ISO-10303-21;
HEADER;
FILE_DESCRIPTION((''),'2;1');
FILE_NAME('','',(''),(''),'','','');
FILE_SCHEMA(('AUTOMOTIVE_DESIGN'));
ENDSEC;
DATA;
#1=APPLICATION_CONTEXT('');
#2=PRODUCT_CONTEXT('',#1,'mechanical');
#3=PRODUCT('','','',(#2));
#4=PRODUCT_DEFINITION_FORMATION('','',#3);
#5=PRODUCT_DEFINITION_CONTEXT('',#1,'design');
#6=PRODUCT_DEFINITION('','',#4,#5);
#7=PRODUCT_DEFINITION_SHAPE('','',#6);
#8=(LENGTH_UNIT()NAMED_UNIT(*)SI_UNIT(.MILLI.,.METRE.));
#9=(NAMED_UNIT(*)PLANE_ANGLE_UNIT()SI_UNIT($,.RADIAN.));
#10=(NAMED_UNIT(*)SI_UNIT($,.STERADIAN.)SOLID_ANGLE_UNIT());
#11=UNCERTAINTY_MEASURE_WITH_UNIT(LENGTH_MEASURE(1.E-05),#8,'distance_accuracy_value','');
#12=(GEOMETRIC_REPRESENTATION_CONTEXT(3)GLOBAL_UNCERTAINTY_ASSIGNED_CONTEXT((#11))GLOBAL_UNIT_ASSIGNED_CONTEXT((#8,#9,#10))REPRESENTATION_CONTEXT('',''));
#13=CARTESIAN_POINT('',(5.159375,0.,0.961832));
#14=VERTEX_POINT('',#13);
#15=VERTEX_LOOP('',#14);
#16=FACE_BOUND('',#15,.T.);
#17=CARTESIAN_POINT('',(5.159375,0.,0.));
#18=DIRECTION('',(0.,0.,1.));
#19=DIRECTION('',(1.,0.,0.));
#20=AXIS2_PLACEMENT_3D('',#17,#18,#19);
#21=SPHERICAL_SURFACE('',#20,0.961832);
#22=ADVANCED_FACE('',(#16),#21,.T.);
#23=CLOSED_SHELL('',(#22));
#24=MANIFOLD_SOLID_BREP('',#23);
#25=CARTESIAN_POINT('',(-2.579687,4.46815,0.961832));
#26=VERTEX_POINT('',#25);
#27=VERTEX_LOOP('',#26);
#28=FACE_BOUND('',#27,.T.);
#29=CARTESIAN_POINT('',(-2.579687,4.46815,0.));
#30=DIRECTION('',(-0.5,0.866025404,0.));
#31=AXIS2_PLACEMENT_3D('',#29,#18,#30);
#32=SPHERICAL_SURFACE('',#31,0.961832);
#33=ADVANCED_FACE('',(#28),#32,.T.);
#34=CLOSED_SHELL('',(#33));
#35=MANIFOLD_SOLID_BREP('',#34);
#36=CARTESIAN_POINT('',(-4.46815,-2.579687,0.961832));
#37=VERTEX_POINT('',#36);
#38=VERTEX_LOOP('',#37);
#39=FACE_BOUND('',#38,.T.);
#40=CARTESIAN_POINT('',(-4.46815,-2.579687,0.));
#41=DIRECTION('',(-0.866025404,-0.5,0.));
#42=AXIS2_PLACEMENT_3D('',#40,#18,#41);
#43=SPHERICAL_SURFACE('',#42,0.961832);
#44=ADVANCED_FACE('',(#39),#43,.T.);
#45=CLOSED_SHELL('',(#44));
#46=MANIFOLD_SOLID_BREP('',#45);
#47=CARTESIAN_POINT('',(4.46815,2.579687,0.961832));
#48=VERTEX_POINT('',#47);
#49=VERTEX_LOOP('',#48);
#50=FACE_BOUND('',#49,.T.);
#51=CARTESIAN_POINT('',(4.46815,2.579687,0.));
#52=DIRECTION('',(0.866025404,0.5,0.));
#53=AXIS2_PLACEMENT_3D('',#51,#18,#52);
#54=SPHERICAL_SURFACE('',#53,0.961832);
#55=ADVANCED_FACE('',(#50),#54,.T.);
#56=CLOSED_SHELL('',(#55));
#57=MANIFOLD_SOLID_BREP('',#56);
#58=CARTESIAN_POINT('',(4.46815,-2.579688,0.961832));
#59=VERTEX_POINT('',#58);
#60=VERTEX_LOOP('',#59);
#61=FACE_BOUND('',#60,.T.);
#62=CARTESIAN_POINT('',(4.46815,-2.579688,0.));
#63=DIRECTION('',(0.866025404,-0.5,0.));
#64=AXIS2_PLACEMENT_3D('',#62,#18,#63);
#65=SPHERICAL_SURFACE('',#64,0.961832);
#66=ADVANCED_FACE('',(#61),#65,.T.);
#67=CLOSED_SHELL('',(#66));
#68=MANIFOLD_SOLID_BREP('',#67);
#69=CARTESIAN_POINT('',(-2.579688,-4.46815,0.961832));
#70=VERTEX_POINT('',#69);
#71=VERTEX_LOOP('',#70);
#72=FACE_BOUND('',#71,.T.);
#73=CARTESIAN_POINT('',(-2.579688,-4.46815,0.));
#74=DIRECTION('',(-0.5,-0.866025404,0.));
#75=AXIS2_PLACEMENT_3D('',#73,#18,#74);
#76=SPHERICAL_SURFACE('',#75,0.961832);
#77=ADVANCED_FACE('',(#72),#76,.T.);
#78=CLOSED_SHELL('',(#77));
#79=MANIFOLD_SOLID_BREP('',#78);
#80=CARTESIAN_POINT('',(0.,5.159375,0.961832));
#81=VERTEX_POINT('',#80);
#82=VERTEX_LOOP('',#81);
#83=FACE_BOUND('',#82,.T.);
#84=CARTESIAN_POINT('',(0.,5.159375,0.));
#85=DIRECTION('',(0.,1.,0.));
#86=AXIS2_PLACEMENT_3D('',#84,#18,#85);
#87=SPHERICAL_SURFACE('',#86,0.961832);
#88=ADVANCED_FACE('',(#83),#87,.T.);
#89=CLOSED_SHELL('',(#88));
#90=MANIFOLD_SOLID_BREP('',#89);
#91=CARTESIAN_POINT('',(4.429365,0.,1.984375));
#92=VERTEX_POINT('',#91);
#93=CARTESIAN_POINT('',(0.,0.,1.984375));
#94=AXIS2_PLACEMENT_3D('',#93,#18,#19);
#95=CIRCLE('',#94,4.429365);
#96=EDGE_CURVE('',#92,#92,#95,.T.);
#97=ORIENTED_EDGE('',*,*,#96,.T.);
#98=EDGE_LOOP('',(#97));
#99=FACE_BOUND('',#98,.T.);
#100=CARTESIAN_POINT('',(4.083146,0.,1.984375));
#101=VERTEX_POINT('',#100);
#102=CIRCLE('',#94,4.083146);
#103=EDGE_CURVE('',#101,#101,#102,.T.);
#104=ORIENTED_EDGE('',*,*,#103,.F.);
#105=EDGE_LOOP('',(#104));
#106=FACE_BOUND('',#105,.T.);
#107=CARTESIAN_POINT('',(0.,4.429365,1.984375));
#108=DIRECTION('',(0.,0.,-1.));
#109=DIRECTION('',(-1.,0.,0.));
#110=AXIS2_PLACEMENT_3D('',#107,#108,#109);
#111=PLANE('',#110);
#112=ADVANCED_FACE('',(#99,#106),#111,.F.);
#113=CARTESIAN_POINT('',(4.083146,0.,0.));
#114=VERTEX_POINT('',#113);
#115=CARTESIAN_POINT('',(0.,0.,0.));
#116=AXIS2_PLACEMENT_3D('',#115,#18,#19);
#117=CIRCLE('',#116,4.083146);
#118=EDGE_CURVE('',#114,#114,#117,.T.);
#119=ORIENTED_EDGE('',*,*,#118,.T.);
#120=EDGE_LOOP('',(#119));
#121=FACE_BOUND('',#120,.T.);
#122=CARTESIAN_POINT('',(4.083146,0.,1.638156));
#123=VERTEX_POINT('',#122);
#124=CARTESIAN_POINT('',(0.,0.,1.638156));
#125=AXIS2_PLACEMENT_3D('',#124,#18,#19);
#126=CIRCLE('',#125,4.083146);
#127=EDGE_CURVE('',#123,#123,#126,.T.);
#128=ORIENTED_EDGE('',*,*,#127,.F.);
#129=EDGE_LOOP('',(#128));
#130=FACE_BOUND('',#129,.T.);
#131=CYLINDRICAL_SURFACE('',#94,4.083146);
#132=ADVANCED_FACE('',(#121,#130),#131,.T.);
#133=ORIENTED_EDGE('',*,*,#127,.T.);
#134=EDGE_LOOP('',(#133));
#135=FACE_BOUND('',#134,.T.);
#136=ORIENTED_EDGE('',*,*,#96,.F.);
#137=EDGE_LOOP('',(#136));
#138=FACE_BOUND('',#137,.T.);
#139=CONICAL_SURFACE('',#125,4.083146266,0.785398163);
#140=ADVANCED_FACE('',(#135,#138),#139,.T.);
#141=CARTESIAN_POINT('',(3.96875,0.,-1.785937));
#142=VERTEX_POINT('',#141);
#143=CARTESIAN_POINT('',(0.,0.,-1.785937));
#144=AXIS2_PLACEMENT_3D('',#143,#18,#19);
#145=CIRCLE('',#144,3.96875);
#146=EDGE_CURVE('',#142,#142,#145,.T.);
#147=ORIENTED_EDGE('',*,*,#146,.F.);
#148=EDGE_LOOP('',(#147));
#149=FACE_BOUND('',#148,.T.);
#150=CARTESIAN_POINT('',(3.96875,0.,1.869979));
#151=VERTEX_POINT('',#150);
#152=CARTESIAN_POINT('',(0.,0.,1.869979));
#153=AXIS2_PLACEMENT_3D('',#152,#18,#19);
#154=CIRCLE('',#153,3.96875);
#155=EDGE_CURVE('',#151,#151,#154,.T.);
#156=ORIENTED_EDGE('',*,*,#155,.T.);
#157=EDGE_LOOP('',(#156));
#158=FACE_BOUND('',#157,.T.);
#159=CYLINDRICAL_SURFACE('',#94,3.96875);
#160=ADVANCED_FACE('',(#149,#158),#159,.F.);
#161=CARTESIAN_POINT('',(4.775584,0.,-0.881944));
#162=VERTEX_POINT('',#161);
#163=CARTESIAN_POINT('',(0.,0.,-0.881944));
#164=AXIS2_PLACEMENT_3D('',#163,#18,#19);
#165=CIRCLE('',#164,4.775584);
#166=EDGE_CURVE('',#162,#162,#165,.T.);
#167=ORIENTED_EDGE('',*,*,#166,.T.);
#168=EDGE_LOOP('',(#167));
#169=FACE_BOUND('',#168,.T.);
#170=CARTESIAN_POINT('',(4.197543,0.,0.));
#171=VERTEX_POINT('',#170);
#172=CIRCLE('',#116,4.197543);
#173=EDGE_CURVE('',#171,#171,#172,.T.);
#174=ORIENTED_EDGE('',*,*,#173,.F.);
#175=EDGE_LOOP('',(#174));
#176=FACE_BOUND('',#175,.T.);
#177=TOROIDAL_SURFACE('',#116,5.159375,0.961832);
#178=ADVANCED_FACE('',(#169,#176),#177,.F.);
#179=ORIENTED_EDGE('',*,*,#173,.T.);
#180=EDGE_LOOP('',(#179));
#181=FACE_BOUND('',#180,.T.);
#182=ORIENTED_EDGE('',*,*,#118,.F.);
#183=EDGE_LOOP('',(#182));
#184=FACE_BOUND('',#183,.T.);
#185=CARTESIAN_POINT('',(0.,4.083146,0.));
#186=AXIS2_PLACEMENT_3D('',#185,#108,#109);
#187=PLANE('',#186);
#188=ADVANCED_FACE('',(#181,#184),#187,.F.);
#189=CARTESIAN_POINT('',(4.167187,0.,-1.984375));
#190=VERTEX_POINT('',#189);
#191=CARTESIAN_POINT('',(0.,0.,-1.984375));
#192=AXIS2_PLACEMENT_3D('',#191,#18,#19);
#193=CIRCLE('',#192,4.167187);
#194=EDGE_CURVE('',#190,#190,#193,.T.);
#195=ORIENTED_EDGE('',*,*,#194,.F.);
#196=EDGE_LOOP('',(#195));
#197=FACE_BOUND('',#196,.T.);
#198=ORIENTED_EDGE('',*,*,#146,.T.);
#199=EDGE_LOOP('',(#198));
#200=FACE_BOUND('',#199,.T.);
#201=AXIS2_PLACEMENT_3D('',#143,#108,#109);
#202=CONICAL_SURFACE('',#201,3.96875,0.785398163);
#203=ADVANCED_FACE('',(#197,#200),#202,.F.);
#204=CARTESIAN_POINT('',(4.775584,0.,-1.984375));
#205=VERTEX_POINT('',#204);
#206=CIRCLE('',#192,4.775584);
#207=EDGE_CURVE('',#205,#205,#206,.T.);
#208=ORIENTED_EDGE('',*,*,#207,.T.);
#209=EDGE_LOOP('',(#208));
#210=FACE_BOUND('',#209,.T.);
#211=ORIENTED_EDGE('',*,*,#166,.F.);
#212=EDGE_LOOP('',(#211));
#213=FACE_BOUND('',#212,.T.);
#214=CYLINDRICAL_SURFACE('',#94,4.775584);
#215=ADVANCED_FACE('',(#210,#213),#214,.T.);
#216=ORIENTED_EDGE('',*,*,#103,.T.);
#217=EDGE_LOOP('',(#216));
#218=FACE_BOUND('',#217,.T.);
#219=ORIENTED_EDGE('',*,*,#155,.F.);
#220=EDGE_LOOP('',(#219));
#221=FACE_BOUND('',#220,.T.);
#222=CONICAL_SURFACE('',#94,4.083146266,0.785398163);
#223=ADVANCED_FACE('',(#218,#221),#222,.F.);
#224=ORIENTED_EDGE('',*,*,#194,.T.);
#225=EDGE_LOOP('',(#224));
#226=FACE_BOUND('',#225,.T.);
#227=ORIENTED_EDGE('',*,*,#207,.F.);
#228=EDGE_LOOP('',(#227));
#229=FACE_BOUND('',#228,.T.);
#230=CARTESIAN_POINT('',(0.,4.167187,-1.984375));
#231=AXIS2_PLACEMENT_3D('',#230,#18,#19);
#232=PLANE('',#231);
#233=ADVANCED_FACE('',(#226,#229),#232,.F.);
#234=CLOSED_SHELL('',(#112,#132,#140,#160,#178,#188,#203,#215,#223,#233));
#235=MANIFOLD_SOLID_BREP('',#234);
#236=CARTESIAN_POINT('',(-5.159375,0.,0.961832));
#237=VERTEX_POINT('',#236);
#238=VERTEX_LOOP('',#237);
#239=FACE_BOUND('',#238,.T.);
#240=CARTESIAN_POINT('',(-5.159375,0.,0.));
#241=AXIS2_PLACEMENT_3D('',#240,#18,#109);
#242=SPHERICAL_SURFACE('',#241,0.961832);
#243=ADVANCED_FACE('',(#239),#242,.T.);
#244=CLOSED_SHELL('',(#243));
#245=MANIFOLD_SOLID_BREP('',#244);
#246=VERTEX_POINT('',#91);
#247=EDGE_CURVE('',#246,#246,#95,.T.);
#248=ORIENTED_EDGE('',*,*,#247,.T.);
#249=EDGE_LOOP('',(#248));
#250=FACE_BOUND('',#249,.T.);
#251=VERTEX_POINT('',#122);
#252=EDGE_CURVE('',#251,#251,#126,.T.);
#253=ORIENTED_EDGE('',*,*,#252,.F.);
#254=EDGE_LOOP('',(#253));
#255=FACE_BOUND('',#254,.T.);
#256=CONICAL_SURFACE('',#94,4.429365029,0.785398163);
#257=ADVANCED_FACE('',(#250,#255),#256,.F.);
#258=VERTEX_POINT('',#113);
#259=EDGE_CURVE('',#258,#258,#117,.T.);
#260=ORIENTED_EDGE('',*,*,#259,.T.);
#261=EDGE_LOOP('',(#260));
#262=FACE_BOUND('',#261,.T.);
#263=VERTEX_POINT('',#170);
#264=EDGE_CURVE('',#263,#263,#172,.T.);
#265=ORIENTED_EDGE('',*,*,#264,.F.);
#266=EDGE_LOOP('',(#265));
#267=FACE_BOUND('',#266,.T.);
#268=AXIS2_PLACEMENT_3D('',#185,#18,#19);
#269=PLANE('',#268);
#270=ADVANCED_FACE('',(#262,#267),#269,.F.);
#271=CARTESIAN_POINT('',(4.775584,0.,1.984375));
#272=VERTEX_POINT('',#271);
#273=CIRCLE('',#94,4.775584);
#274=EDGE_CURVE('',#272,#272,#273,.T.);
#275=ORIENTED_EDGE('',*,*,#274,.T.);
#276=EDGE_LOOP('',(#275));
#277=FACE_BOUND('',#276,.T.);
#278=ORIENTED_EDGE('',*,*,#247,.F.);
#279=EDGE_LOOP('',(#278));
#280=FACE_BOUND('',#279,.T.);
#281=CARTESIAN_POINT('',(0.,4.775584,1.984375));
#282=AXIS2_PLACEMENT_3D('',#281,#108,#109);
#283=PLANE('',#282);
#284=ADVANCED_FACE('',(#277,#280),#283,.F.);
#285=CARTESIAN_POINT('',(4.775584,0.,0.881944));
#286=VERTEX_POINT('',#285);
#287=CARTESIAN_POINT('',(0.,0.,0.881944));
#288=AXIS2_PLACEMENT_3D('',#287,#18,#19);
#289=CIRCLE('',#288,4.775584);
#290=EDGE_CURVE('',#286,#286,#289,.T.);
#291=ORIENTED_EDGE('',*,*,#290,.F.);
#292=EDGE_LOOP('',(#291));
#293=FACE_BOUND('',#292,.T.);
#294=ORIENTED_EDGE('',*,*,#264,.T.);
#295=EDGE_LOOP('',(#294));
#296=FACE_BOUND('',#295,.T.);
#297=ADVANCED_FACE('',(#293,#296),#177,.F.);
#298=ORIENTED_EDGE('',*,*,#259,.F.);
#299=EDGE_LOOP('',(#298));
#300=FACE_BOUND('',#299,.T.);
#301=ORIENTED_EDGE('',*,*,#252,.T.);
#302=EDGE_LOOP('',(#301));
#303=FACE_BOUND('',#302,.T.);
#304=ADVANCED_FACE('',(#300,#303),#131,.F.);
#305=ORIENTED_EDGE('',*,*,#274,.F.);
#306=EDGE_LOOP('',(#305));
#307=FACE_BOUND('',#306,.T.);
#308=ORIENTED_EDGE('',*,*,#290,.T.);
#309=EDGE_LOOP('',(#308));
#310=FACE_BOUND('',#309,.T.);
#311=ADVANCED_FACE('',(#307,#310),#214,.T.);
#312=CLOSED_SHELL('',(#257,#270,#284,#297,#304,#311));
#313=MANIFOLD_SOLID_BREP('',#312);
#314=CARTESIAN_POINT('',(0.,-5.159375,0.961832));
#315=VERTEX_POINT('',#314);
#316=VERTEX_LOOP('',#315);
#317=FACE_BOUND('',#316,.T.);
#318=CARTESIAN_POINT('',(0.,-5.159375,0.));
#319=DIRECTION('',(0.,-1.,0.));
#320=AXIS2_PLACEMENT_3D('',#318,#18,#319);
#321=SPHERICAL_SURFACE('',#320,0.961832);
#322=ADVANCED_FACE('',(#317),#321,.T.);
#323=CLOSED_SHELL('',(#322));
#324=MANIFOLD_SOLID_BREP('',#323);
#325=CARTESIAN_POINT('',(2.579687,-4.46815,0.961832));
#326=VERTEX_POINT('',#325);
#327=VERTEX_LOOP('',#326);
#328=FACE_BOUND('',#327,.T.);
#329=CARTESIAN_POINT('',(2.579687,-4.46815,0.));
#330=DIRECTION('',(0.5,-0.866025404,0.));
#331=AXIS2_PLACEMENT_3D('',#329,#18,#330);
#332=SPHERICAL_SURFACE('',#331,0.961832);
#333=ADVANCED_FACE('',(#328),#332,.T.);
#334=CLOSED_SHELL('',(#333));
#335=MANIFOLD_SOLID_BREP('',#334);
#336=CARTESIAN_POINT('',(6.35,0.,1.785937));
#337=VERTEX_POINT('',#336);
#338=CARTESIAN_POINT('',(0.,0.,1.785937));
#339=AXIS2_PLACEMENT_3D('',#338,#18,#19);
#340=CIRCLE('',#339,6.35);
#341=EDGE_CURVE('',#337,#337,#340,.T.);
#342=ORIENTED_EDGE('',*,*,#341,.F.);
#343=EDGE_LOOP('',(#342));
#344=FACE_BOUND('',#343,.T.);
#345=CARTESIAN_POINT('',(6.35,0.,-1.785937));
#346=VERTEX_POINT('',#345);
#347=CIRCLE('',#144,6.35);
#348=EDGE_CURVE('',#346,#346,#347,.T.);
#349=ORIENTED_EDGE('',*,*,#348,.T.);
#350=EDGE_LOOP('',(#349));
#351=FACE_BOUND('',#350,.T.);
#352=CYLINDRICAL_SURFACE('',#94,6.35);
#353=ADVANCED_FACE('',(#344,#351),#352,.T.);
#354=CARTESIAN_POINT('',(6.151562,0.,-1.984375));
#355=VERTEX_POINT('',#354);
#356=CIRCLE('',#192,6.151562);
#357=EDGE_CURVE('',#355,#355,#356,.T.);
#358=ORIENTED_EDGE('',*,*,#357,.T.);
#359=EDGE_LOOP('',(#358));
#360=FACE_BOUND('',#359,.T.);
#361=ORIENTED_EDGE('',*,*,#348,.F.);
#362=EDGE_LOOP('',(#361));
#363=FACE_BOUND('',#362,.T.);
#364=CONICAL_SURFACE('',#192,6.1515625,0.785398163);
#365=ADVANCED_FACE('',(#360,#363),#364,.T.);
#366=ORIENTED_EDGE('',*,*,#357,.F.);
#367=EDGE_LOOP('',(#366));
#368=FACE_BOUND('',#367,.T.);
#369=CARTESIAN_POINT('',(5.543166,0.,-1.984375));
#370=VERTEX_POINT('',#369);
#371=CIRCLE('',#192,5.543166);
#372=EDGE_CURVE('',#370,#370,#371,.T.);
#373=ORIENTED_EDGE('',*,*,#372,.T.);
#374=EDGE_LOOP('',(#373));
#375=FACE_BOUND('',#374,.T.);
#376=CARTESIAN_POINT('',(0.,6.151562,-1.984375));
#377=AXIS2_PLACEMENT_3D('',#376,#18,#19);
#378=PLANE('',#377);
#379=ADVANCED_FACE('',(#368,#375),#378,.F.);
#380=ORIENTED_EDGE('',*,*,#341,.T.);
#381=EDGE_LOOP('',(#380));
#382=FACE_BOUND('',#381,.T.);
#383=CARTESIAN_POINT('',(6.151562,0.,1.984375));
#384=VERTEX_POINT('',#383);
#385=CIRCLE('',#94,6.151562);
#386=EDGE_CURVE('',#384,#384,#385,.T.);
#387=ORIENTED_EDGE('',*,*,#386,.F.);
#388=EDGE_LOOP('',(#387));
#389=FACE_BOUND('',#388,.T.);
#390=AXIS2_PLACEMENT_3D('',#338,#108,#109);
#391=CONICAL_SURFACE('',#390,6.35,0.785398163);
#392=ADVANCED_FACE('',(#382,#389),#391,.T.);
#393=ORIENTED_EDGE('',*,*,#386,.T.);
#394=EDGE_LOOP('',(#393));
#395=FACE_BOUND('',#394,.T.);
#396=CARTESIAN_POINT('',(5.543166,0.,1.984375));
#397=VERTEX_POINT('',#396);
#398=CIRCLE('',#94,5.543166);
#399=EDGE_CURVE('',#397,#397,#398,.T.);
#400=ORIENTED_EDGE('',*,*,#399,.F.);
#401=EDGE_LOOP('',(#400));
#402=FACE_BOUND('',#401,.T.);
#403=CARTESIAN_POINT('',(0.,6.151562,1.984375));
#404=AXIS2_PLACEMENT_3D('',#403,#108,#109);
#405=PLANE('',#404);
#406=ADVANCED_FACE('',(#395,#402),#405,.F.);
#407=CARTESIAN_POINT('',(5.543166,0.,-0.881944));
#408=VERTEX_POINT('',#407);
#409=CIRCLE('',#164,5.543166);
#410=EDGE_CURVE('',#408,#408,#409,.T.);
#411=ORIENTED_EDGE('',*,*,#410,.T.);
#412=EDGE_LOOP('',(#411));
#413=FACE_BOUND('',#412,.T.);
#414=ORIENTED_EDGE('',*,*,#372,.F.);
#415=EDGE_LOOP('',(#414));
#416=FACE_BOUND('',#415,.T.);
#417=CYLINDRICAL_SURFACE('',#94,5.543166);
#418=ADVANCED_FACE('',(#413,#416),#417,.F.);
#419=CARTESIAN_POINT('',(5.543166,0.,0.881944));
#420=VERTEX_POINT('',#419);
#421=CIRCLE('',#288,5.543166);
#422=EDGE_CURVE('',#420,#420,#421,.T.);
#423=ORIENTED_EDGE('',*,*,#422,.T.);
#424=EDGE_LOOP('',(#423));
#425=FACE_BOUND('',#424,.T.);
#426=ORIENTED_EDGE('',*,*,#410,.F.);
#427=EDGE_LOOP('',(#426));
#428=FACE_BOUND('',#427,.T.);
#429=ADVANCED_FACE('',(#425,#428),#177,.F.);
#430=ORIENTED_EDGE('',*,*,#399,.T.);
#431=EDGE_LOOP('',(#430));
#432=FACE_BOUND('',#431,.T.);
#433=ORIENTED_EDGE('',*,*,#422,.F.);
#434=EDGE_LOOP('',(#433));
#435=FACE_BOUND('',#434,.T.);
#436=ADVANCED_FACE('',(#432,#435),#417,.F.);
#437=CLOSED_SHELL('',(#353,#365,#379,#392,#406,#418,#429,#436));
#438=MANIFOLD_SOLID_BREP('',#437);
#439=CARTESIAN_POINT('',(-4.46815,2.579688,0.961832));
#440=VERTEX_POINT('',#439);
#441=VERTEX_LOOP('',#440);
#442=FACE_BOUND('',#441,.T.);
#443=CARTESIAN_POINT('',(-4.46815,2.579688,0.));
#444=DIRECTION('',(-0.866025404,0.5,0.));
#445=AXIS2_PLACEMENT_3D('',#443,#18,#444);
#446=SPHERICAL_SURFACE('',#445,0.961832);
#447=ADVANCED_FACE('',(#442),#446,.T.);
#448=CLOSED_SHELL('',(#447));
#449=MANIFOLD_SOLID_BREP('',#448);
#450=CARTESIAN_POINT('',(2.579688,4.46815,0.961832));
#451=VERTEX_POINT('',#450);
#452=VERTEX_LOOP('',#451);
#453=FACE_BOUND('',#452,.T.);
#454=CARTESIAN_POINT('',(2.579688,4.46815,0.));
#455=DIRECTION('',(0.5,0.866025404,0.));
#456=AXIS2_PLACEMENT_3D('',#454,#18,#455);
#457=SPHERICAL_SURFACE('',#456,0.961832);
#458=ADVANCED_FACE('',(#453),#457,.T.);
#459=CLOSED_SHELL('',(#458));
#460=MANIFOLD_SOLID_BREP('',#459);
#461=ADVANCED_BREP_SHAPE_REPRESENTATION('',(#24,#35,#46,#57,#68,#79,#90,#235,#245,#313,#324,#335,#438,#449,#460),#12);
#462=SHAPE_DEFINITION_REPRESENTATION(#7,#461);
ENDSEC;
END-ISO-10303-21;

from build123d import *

# Parameters (mm, degrees)
CIRPATTERN1_COUNT = 12


with BuildPart() as part:
    # Sketch1 → Revolve1 (revolve)
    with BuildSketch(Plane(origin=(0, 0, 0), x_dir=(0, 0, -1), z_dir=(1, 0, 0)), mode=Mode.PRIVATE) as revolve1_sk:
        with BuildLine():
            Line((1.7859375, 6.35), (-1.7859375, 6.35))
            Line((-1.7859375, 6.35), (-1.984375, 6.1515625))
            Line((-1.984375, 6.1515625), (-1.984375, 5.543166209))
            Line((-1.984375, 5.543166209), (-0.881944444, 5.543166209))
            ThreePointArc((-0.881944444, 5.543166209), (0, 6.121207467), (0.881944444, 5.543166209))
            Line((0.881944444, 5.543166209), (1.984375, 5.543166209))
            Line((1.984375, 5.543166209), (1.984375, 6.1515625))
            Line((1.984375, 6.1515625), (1.7859375, 6.35))
        make_face()
    revolve(revolve1_sk.sketch.rotate(Axis((0, 0, 1.984375), (0, 0, -1)), 90), axis=Axis((0, 0, 1.984375), (0, 0, -1)))


with BuildPart() as body_2:
    # Sketch2 → Revolve2 (revolve)
    with BuildSketch(Plane(origin=(0, 0, 0), x_dir=(0, 0, -1), z_dir=(1, 0, 0)), mode=Mode.PRIVATE) as revolve2_sk:
        with BuildLine():
            Line((-1.984375, 4.775583791), (-0.881944444, 4.775583791))
            ThreePointArc((-0.881944444, 4.775583791), (-0.527247025, 4.354929682), (0, 4.197542533))
            Line((0, 4.197542533), (0, 4.083146266))
            Line((0, 4.083146266), (-1.638156238, 4.083146266))
            Line((-1.638156238, 4.083146266), (-1.984375, 4.429365029))
            Line((-1.984375, 4.429365029), (-1.984375, 4.775583791))
        make_face()
    revolve(revolve2_sk.sketch.rotate(Axis((0, 0, 1.984375), (0, 0, -1)), 90), axis=Axis((0, 0, 1.984375), (0, 0, -1)))


with BuildPart() as body_3:
    # Sketch3 → Revolve3 (revolve)
    with BuildSketch(Plane(origin=(0, 0, 0), x_dir=(0, 0, -1), z_dir=(1, 0, 0)), mode=Mode.PRIVATE) as revolve3_sk:
        with BuildLine():
            Line((-1.984375, 4.429365029), (-1.638156238, 4.083146266))
            Line((-1.638156238, 4.083146266), (0, 4.083146266))
            Line((0, 4.083146266), (0, 4.197542533))
            ThreePointArc((0, 4.197542533), (0.527247025, 4.354929682), (0.881944444, 4.775583791))
            Line((0.881944444, 4.775583791), (1.984375, 4.775583791))
            Line((1.984375, 4.775583791), (1.984375, 4.1671875))
            Line((1.984375, 4.1671875), (1.7859375, 3.96875))
            Line((1.7859375, 3.96875), (-1.869978734, 3.96875))
            Line((-1.869978734, 3.96875), (-1.984375, 4.083146266))
            Line((-1.984375, 4.083146266), (-1.984375, 4.429365029))
        make_face()
    revolve(revolve3_sk.sketch.rotate(Axis((0, 0, 1.984375), (0, 0, -1)), 90), axis=Axis((0, 0, 1.984375), (0, 0, -1)))


with BuildPart() as body_4:
    # Sketch4 → Revolve4 (revolve)
    with BuildSketch(Plane(origin=(0, 0, 0), x_dir=(0, 0, -1), z_dir=(1, 0, 0))):
        with BuildLine():
            Line((-0.961832467, 5.159375), (0.961832467, 5.159375))
            ThreePointArc((0.961832467, 5.159375), (0, 6.121207467), (-0.961832467, 5.159375))
        make_face()
    revolve(axis=Axis((0, 5.159375, 0.961832467), (0, 0, -1)))


with BuildPart() as cirpattern1_1:
    # CirPattern1: pattern copy
    add(body_4.part.rotate(Axis((0, 0, 0), (0, 0, 1)), 1 * 360 / CIRPATTERN1_COUNT))


with BuildPart() as cirpattern1_2:
    # CirPattern1: pattern copy
    add(body_4.part.rotate(Axis((0, 0, 0), (0, 0, 1)), 2 * 360 / CIRPATTERN1_COUNT))


with BuildPart() as cirpattern1_3:
    # CirPattern1: pattern copy
    add(body_4.part.rotate(Axis((0, 0, 0), (0, 0, 1)), 3 * 360 / CIRPATTERN1_COUNT))


with BuildPart() as cirpattern1_4:
    # CirPattern1: pattern copy
    add(body_4.part.rotate(Axis((0, 0, 0), (0, 0, 1)), 4 * 360 / CIRPATTERN1_COUNT))


with BuildPart() as cirpattern1_5:
    # CirPattern1: pattern copy
    add(body_4.part.rotate(Axis((0, 0, 0), (0, 0, 1)), 5 * 360 / CIRPATTERN1_COUNT))


with BuildPart() as cirpattern1_6:
    # CirPattern1: pattern copy
    add(body_4.part.rotate(Axis((0, 0, 0), (0, 0, 1)), 6 * 360 / CIRPATTERN1_COUNT))


with BuildPart() as cirpattern1_7:
    # CirPattern1: pattern copy
    add(body_4.part.rotate(Axis((0, 0, 0), (0, 0, 1)), 7 * 360 / CIRPATTERN1_COUNT))


with BuildPart() as cirpattern1_8:
    # CirPattern1: pattern copy
    add(body_4.part.rotate(Axis((0, 0, 0), (0, 0, 1)), 8 * 360 / CIRPATTERN1_COUNT))


with BuildPart() as cirpattern1_9:
    # CirPattern1: pattern copy
    add(body_4.part.rotate(Axis((0, 0, 0), (0, 0, 1)), 9 * 360 / CIRPATTERN1_COUNT))


with BuildPart() as cirpattern1_10:
    # CirPattern1: pattern copy
    add(body_4.part.rotate(Axis((0, 0, 0), (0, 0, 1)), 10 * 360 / CIRPATTERN1_COUNT))


with BuildPart() as cirpattern1_11:
    # CirPattern1: pattern copy
    add(body_4.part.rotate(Axis((0, 0, 0), (0, 0, 1)), 11 * 360 / CIRPATTERN1_COUNT))


solid = Compound([part.part, body_2.part, body_3.part, body_4.part, cirpattern1_1.part, cirpattern1_2.part, cirpattern1_3.part, cirpattern1_4.part, cirpattern1_5.part, cirpattern1_6.part, cirpattern1_7.part, cirpattern1_8.part, cirpattern1_9.part, cirpattern1_10.part, cirpattern1_11.part])
